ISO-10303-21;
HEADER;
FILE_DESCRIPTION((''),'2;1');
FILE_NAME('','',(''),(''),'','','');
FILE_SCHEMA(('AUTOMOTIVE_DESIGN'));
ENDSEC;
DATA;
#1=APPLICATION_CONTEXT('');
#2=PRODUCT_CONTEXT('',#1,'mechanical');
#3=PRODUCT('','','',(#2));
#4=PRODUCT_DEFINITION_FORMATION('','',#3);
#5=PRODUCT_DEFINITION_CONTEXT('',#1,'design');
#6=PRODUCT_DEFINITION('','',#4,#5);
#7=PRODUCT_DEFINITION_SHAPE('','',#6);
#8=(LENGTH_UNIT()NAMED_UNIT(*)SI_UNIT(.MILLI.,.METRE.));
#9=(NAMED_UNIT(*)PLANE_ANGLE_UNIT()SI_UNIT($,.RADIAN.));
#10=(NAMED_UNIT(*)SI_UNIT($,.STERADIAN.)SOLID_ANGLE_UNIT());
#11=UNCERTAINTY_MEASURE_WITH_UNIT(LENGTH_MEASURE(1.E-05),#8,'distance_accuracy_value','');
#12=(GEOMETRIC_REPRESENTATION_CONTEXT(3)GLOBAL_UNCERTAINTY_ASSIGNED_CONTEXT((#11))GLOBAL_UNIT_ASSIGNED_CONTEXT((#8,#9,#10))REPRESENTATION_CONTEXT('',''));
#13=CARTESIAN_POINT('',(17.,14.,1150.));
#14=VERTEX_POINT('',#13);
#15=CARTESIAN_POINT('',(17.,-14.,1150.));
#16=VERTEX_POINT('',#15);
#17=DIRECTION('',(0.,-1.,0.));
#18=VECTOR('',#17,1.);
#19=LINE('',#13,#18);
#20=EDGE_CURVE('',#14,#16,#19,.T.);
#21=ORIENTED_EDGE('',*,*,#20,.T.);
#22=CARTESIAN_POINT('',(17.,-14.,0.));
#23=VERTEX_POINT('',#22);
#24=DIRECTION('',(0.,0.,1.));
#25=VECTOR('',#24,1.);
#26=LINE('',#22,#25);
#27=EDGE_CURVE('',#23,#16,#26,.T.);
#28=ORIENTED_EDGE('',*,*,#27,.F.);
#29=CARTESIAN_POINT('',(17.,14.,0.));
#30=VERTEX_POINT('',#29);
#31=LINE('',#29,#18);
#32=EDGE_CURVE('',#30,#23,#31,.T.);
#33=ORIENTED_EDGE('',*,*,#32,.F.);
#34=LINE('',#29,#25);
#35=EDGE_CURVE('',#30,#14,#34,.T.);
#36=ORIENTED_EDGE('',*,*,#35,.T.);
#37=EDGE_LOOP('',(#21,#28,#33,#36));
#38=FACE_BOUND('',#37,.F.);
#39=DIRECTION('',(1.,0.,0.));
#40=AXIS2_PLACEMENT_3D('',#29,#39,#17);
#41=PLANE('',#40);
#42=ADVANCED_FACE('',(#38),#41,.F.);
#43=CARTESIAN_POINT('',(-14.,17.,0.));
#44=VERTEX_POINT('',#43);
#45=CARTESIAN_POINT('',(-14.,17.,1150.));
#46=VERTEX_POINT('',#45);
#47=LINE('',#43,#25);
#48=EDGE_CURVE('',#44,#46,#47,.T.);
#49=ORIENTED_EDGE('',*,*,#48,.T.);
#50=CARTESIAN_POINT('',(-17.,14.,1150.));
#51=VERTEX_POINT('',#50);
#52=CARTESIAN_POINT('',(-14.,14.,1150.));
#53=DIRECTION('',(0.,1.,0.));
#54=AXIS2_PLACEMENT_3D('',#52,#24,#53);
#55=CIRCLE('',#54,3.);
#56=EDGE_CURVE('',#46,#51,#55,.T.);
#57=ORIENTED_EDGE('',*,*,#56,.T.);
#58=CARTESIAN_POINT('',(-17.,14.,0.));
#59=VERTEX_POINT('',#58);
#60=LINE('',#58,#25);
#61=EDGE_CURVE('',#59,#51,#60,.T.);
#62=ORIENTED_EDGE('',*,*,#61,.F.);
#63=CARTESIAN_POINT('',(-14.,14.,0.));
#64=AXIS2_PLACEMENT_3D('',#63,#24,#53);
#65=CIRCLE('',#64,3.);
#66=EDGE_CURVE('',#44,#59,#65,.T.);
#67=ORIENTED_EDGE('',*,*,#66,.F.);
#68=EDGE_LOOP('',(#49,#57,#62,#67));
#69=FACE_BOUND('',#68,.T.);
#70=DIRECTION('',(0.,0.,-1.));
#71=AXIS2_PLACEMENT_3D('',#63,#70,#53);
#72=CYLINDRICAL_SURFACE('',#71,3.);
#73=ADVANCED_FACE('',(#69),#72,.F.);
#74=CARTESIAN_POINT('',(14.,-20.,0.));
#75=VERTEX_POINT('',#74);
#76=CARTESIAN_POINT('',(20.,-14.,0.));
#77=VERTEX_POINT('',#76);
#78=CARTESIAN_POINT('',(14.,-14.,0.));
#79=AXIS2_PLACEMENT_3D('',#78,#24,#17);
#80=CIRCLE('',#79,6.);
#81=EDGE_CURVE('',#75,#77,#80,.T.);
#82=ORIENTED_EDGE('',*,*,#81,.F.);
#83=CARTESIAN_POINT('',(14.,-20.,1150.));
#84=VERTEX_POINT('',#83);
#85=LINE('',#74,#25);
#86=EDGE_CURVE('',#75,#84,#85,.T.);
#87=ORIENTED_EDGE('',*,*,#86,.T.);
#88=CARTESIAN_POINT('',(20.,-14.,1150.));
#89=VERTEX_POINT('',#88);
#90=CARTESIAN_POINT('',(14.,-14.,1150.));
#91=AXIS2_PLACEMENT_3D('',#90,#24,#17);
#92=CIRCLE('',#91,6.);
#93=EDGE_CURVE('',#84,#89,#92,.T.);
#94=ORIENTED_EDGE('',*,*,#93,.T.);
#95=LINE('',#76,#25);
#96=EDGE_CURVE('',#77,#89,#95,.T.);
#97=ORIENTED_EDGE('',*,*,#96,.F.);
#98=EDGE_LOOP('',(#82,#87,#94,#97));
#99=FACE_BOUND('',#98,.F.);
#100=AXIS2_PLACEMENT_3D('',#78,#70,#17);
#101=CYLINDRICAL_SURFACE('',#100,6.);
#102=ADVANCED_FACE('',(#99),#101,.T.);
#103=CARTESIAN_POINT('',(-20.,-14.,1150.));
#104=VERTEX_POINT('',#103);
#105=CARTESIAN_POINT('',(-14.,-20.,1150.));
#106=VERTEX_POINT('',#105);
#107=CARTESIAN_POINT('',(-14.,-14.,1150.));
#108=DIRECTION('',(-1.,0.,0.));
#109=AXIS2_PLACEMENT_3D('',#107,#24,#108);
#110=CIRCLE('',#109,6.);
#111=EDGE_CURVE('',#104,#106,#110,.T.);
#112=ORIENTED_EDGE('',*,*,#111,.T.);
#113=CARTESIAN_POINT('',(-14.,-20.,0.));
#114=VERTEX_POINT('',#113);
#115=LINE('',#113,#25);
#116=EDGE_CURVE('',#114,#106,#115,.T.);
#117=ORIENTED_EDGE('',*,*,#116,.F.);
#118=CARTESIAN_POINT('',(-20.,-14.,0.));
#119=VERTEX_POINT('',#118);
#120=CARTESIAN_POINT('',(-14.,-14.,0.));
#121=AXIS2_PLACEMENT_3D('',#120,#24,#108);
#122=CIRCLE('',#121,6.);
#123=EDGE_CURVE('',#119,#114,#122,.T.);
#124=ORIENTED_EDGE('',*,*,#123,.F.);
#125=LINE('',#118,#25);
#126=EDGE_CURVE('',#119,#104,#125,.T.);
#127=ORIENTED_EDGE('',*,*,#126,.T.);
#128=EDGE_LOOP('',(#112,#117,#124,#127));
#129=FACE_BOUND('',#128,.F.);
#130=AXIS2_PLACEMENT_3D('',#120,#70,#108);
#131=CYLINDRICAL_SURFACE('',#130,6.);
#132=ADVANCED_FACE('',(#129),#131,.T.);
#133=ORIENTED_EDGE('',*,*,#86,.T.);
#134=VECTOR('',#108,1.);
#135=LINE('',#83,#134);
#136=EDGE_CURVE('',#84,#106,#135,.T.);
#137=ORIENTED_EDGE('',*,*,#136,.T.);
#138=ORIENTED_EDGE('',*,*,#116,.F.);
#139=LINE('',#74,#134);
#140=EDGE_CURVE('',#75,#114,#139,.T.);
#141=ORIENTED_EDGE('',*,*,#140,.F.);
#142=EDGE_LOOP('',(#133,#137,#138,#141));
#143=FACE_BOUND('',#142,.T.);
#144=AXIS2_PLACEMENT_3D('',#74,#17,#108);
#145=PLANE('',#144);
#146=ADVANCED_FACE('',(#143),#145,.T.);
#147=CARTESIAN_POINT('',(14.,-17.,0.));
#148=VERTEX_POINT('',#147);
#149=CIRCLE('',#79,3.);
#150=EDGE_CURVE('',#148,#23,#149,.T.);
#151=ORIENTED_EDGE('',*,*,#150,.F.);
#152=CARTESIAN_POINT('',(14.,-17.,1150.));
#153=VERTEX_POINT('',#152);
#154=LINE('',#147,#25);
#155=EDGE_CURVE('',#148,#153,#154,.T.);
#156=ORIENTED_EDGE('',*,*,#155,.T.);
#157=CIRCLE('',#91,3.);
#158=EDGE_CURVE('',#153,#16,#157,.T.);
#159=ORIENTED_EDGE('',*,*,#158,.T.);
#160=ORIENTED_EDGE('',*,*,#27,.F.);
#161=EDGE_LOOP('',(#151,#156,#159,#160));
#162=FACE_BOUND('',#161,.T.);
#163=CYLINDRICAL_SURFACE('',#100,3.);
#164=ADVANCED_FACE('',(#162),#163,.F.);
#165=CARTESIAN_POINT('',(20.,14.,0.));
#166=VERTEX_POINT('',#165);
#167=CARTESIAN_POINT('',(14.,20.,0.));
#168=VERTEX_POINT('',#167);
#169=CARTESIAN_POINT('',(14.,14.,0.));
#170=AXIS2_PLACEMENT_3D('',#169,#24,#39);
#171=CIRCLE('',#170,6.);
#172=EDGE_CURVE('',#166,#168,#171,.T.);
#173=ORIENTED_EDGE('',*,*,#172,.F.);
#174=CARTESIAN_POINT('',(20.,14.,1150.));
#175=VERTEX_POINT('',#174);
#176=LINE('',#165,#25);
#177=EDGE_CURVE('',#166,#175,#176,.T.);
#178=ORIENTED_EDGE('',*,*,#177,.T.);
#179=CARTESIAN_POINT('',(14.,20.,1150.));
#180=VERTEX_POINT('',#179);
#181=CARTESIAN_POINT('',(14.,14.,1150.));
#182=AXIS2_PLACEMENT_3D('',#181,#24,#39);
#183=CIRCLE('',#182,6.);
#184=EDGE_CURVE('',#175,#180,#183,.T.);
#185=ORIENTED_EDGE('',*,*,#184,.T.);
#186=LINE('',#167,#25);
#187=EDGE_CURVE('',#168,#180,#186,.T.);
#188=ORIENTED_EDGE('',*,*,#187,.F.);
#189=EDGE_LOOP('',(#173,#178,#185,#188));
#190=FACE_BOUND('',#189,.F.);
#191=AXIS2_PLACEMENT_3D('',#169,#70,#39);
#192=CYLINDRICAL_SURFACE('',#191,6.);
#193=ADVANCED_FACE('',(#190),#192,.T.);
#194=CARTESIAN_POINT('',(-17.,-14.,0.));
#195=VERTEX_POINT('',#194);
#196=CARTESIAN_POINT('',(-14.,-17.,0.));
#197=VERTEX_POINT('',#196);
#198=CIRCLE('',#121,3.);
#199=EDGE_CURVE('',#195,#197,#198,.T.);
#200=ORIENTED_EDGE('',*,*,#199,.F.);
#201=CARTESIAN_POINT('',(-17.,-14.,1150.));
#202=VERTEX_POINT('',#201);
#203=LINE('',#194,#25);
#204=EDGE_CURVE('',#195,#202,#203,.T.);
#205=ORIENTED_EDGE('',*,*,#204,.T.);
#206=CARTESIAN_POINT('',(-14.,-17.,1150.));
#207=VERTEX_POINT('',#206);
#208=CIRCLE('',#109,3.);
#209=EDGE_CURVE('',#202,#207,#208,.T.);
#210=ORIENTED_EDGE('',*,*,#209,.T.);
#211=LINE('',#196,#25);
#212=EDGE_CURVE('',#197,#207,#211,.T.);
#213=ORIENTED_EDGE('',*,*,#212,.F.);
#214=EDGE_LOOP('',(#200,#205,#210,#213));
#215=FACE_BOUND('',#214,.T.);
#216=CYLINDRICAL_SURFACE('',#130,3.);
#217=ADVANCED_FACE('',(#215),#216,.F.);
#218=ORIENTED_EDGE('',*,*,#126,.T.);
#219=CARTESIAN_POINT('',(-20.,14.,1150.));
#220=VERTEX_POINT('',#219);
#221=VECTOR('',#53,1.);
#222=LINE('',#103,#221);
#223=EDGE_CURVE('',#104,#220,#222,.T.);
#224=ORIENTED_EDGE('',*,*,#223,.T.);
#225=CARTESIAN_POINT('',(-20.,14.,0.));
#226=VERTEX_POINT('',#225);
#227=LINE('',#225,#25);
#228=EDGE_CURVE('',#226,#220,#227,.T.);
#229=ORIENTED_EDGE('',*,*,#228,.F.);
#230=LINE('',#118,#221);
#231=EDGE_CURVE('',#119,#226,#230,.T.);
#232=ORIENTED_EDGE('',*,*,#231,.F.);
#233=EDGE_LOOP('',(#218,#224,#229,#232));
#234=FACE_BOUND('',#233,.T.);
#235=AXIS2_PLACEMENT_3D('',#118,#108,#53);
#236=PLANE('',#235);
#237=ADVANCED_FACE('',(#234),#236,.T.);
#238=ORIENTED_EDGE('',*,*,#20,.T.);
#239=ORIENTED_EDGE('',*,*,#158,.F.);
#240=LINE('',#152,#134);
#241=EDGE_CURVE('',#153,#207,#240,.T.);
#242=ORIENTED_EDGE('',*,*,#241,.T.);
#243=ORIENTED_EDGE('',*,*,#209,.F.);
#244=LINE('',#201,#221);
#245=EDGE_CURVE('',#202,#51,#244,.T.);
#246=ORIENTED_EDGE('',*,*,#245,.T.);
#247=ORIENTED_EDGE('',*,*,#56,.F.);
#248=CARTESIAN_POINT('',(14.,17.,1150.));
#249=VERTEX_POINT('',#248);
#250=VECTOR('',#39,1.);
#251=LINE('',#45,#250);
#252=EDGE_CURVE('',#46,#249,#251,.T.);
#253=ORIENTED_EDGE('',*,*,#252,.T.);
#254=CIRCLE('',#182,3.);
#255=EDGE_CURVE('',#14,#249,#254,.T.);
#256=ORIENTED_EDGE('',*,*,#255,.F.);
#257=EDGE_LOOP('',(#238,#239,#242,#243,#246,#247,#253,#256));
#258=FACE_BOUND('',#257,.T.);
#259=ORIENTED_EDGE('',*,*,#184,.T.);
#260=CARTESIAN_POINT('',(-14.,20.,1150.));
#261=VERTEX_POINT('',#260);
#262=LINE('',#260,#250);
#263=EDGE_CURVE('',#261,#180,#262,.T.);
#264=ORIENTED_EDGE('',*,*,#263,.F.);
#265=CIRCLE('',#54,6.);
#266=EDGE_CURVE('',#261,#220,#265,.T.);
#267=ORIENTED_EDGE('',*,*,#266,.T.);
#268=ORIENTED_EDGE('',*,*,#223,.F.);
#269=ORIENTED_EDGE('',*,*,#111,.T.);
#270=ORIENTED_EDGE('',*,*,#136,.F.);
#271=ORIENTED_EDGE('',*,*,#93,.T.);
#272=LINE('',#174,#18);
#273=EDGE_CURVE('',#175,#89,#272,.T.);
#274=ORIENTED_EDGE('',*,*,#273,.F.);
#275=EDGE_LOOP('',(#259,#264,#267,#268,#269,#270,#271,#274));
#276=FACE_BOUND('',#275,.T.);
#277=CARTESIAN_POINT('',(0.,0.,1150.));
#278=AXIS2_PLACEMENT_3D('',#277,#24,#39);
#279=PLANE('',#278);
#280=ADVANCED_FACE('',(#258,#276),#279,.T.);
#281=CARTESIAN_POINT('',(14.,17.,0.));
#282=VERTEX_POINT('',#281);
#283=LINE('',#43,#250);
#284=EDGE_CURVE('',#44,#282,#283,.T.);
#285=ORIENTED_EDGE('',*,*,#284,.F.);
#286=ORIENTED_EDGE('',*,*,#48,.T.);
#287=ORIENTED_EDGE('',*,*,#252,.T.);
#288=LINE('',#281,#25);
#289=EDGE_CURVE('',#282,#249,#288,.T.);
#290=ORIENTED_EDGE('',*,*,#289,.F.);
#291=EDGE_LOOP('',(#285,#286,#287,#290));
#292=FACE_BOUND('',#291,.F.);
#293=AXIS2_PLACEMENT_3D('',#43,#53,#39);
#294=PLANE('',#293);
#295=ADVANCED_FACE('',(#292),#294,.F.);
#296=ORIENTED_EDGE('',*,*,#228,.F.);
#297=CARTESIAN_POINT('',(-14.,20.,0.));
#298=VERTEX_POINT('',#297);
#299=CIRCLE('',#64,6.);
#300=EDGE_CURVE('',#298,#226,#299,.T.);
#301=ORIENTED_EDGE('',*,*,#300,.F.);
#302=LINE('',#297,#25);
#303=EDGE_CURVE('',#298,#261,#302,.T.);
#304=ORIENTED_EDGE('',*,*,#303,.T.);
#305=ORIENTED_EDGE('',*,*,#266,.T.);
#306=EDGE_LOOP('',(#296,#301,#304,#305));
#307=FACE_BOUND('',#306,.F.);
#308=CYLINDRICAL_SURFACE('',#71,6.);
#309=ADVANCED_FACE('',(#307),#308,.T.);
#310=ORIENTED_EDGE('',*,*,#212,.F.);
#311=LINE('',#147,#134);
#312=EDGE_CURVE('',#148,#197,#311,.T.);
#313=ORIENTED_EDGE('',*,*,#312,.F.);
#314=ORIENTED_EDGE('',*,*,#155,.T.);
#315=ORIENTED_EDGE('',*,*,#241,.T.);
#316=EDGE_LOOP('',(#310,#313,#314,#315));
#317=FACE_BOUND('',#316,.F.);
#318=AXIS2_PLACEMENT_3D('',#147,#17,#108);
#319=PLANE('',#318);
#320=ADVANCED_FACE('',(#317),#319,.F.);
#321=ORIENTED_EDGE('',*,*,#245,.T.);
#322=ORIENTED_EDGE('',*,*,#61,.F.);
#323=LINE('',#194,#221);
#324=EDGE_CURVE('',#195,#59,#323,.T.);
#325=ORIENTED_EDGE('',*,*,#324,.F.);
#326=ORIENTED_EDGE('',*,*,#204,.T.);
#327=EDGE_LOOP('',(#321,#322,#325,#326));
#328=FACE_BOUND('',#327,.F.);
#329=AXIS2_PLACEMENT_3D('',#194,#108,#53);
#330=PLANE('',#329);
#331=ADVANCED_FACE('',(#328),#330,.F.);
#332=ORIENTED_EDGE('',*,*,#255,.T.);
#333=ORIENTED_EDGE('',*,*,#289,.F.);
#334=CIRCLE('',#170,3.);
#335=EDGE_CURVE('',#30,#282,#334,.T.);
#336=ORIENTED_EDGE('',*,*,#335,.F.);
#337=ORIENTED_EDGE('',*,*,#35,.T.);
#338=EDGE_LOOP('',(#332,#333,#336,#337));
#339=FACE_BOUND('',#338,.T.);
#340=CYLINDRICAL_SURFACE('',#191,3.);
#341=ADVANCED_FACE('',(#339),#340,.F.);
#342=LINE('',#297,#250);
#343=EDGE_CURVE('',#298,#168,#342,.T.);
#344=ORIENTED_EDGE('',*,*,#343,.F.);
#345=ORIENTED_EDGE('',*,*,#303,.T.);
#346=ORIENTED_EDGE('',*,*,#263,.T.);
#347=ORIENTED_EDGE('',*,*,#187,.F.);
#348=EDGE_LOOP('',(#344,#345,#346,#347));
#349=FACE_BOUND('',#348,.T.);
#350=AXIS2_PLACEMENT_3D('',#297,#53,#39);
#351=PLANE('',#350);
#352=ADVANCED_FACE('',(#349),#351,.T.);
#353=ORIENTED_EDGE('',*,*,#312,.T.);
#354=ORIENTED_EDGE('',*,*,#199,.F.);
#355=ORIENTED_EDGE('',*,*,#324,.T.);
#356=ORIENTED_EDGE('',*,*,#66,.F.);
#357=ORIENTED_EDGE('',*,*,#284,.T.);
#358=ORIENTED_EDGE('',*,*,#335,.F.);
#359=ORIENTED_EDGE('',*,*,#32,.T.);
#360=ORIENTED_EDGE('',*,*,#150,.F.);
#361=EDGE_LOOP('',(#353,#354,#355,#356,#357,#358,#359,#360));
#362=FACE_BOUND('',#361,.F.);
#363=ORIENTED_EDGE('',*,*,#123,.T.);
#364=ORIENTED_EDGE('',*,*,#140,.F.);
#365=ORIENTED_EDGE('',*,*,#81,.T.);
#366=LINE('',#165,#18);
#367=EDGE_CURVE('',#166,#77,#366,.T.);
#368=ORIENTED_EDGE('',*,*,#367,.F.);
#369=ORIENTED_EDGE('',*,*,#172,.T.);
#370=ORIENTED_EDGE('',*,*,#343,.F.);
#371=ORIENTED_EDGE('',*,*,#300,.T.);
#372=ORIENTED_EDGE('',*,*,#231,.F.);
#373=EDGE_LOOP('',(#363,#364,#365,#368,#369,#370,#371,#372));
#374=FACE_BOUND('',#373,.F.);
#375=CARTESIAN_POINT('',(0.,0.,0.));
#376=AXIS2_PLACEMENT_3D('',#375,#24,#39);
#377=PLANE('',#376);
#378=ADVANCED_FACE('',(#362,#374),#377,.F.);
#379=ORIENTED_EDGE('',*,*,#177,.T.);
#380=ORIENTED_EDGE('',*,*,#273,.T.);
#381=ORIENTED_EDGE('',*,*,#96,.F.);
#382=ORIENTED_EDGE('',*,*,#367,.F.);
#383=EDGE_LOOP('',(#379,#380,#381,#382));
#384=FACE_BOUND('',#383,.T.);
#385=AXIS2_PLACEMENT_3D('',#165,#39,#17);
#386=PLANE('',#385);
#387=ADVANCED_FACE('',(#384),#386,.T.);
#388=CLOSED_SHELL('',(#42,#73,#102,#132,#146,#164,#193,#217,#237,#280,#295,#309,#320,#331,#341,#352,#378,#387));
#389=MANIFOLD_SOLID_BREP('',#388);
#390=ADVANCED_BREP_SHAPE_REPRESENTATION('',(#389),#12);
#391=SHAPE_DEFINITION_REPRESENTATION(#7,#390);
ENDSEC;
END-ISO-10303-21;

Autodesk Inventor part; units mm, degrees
ref_plane "YZ Plane" through (0, 0, 0) normal (1, 0, 0) x (0, 1, 0)
ref_plane "Start Plane" through (0, 0, 0) normal (0, 0, 1) x (1, 0, 0)
ref_plane "End Plane" through (0, 0, 1150) normal (0, 0, 1) x (1, 0, 0)
sketch "Sketch" plane through (0, 0, 0) normal (0, 0, 1) x (1, 0, 0)
  line L0 (-20, -14) -> (-20, 14)
  line L1 (-14, 20) -> (14, 20)
  line L2 (20, 14) -> (20, -14)
  line L3 (14, -20) -> (-14, -20)
  arc A0 (-20, -14) -> (-14, -20) centre (-14, -14) ccw
  arc A1 (20, 14) -> (14, 20) centre (14, 14) ccw
  arc A2 (-14, 20) -> (-20, 14) centre (-14, 14) ccw
  arc A3 (14, -20) -> (20, -14) centre (14, -14) ccw
  arc A4 (-14, 17) -> (-17, 14) centre (-14, 14) ccw
  line L4 (-14, 17) -> (14, 17)
  arc A5 (17, 14) -> (14, 17) centre (14, 14) ccw
  line L5 (17, 14) -> (17, -14)
  arc A6 (14, -17) -> (17, -14) centre (14, -14) ccw
  line L6 (14, -17) -> (-14, -17)
  arc A7 (-17, -14) -> (-14, -17) centre (-14, -14) ccw
  line L7 (-17, -14) -> (-17, 14)
  line L8 (0, 29.7397) -> (0, -29.7397) construction
  line L9 (-29.7397, 0) -> (29.7397, 0) construction
  dimension "d7" = 6
  dimension "d9" = 40
  dimension "d11" = 40
  dimension "d12" = 3
  dimension "d15" = 20
  dimension "d16" = 20
extrude "Body" add sketch "Sketch" along normal up to surface (1150 mm away) from surface at 0
sketch "Sketch3" plane through (0, 0, 0) normal (0, 0, 1) x (1, 0, 0)
  line L0 (0, 0) -> (10, 0)
ref_plane "Work Plane3" through (0, 0, 0) normal (0, -1, 0) x (1, 0, 0)
sketch "Sketch4" plane through (0, 0, 0) normal (0, -1, 0) x (1, 0, 0)
  line L0 (-2, 0) -> (12, 0)
  line L1 (-2, 1150) -> (12, 1150)
  dimension "d18" = 1150
equation "\"d7\" = G_IR"
equation "\"d9\" = G_W"
equation "\"d11\" = G_H"
equation "\"d12\" = G_T"
equation "\"d15\" = 0.5 * d9"
equation "\"d16\" = 0.5 * d11"
equation "\"d3\" = G_L"
equation "\"G_W\" = 40"
equation "\"G_H\" = 40"
equation "\"G_T\" = 3"
equation "\"G_IR\" = 6"
equation "\"G_L\" = d18"
equation "\"G_OFFSET_START\" = 0"
equation "\"G_OFFSET_END\" = 0"
properties part number "ISO 10799-2 - 40x40x3 - 1150" material "Steel, Mild"
